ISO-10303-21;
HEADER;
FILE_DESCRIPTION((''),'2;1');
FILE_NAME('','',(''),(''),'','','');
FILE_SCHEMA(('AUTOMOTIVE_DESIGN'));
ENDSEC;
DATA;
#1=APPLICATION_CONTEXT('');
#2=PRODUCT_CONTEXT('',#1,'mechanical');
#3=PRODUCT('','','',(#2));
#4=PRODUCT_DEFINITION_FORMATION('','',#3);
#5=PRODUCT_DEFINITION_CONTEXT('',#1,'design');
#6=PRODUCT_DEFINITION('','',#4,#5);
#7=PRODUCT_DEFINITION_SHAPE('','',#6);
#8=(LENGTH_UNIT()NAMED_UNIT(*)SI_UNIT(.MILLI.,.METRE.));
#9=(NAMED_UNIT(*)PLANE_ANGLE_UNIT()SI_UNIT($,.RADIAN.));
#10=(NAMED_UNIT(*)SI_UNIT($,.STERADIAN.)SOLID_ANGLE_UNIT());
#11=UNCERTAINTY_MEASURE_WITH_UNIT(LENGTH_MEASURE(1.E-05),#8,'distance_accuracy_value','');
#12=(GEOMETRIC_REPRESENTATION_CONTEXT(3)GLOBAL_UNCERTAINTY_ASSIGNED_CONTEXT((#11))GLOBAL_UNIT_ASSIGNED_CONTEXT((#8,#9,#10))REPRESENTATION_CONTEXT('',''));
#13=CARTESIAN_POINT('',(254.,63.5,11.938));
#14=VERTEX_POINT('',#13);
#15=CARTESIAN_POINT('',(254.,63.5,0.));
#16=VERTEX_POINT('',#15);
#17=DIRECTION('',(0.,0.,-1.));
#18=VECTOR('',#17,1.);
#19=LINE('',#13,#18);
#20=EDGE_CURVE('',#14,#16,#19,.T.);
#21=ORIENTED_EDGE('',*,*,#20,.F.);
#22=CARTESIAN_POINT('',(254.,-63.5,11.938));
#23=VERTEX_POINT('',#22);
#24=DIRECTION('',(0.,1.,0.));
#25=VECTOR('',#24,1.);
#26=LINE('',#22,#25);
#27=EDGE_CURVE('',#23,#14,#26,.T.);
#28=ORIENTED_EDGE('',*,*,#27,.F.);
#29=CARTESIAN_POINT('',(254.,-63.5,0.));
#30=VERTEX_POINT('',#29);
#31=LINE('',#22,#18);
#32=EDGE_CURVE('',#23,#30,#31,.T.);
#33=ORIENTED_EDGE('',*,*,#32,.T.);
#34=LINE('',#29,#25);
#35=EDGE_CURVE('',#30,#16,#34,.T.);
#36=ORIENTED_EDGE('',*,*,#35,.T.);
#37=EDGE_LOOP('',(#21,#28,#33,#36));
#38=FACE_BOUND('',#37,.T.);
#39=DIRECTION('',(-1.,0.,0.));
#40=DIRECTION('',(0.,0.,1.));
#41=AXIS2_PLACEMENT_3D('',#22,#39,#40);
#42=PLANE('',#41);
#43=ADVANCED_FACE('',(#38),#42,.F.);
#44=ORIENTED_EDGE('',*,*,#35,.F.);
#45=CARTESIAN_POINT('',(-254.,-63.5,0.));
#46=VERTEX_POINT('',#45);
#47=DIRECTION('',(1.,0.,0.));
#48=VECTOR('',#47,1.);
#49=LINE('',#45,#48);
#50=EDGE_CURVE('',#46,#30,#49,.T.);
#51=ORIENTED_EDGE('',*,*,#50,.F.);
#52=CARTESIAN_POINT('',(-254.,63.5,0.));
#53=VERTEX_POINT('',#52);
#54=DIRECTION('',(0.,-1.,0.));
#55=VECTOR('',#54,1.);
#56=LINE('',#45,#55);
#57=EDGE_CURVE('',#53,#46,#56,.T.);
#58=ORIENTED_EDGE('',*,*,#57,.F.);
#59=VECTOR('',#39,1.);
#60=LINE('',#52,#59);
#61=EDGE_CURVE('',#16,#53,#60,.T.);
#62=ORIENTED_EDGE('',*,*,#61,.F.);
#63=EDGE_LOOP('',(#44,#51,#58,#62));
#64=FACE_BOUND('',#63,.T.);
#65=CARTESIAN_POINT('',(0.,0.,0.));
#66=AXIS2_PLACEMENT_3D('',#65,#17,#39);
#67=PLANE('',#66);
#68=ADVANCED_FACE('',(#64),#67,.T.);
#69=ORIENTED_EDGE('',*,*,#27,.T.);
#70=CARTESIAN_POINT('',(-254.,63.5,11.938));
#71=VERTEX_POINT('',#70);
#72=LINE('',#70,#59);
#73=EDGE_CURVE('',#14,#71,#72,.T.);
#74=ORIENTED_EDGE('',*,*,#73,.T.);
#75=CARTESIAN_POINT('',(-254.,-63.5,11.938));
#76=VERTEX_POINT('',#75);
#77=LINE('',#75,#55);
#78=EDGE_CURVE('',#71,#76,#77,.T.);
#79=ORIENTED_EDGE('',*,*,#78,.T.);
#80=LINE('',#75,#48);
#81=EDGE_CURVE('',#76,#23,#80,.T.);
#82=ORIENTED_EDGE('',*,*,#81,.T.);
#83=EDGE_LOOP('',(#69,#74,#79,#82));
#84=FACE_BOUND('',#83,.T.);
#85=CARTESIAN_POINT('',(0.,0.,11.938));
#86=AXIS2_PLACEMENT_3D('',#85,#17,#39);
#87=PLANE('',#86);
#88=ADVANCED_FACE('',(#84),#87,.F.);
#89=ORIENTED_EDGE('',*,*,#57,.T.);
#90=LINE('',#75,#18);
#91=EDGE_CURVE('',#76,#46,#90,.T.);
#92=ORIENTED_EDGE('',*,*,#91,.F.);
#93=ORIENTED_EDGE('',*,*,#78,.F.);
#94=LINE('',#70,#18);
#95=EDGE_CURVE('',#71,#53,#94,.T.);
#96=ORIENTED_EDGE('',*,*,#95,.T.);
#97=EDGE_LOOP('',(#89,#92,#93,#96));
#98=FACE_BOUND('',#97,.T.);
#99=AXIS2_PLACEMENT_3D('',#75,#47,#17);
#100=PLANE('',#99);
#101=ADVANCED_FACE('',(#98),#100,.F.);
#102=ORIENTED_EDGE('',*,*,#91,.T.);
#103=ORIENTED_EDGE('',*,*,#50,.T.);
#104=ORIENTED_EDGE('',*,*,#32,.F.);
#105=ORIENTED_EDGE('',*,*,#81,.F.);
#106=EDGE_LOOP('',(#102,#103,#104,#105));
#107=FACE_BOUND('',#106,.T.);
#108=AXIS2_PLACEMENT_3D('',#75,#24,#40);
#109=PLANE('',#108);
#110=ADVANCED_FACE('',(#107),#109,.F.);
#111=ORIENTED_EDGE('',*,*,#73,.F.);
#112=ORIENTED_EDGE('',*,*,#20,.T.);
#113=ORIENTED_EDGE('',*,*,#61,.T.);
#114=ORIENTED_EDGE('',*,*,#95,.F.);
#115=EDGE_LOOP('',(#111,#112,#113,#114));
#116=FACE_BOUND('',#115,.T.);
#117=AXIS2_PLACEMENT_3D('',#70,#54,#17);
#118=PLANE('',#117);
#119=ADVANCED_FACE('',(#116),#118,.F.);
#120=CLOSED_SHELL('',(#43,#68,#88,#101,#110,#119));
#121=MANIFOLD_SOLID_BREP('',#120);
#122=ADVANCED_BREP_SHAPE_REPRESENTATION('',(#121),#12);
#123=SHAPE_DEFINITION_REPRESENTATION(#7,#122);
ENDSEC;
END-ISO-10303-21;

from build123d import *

# Parameters (mm, degrees)
SKETCH1_W           = 508
SKETCH1_H           = 127
BOSS_EXTRUDE1_DEPTH = 11.938


with BuildPart() as part:
    # Sketch1 → Boss-Extrude1 (new body)
    with BuildSketch(Plane.XY):
        Rectangle(SKETCH1_W, SKETCH1_H)
    extrude(amount=BOSS_EXTRUDE1_DEPTH)


solid = part.part
